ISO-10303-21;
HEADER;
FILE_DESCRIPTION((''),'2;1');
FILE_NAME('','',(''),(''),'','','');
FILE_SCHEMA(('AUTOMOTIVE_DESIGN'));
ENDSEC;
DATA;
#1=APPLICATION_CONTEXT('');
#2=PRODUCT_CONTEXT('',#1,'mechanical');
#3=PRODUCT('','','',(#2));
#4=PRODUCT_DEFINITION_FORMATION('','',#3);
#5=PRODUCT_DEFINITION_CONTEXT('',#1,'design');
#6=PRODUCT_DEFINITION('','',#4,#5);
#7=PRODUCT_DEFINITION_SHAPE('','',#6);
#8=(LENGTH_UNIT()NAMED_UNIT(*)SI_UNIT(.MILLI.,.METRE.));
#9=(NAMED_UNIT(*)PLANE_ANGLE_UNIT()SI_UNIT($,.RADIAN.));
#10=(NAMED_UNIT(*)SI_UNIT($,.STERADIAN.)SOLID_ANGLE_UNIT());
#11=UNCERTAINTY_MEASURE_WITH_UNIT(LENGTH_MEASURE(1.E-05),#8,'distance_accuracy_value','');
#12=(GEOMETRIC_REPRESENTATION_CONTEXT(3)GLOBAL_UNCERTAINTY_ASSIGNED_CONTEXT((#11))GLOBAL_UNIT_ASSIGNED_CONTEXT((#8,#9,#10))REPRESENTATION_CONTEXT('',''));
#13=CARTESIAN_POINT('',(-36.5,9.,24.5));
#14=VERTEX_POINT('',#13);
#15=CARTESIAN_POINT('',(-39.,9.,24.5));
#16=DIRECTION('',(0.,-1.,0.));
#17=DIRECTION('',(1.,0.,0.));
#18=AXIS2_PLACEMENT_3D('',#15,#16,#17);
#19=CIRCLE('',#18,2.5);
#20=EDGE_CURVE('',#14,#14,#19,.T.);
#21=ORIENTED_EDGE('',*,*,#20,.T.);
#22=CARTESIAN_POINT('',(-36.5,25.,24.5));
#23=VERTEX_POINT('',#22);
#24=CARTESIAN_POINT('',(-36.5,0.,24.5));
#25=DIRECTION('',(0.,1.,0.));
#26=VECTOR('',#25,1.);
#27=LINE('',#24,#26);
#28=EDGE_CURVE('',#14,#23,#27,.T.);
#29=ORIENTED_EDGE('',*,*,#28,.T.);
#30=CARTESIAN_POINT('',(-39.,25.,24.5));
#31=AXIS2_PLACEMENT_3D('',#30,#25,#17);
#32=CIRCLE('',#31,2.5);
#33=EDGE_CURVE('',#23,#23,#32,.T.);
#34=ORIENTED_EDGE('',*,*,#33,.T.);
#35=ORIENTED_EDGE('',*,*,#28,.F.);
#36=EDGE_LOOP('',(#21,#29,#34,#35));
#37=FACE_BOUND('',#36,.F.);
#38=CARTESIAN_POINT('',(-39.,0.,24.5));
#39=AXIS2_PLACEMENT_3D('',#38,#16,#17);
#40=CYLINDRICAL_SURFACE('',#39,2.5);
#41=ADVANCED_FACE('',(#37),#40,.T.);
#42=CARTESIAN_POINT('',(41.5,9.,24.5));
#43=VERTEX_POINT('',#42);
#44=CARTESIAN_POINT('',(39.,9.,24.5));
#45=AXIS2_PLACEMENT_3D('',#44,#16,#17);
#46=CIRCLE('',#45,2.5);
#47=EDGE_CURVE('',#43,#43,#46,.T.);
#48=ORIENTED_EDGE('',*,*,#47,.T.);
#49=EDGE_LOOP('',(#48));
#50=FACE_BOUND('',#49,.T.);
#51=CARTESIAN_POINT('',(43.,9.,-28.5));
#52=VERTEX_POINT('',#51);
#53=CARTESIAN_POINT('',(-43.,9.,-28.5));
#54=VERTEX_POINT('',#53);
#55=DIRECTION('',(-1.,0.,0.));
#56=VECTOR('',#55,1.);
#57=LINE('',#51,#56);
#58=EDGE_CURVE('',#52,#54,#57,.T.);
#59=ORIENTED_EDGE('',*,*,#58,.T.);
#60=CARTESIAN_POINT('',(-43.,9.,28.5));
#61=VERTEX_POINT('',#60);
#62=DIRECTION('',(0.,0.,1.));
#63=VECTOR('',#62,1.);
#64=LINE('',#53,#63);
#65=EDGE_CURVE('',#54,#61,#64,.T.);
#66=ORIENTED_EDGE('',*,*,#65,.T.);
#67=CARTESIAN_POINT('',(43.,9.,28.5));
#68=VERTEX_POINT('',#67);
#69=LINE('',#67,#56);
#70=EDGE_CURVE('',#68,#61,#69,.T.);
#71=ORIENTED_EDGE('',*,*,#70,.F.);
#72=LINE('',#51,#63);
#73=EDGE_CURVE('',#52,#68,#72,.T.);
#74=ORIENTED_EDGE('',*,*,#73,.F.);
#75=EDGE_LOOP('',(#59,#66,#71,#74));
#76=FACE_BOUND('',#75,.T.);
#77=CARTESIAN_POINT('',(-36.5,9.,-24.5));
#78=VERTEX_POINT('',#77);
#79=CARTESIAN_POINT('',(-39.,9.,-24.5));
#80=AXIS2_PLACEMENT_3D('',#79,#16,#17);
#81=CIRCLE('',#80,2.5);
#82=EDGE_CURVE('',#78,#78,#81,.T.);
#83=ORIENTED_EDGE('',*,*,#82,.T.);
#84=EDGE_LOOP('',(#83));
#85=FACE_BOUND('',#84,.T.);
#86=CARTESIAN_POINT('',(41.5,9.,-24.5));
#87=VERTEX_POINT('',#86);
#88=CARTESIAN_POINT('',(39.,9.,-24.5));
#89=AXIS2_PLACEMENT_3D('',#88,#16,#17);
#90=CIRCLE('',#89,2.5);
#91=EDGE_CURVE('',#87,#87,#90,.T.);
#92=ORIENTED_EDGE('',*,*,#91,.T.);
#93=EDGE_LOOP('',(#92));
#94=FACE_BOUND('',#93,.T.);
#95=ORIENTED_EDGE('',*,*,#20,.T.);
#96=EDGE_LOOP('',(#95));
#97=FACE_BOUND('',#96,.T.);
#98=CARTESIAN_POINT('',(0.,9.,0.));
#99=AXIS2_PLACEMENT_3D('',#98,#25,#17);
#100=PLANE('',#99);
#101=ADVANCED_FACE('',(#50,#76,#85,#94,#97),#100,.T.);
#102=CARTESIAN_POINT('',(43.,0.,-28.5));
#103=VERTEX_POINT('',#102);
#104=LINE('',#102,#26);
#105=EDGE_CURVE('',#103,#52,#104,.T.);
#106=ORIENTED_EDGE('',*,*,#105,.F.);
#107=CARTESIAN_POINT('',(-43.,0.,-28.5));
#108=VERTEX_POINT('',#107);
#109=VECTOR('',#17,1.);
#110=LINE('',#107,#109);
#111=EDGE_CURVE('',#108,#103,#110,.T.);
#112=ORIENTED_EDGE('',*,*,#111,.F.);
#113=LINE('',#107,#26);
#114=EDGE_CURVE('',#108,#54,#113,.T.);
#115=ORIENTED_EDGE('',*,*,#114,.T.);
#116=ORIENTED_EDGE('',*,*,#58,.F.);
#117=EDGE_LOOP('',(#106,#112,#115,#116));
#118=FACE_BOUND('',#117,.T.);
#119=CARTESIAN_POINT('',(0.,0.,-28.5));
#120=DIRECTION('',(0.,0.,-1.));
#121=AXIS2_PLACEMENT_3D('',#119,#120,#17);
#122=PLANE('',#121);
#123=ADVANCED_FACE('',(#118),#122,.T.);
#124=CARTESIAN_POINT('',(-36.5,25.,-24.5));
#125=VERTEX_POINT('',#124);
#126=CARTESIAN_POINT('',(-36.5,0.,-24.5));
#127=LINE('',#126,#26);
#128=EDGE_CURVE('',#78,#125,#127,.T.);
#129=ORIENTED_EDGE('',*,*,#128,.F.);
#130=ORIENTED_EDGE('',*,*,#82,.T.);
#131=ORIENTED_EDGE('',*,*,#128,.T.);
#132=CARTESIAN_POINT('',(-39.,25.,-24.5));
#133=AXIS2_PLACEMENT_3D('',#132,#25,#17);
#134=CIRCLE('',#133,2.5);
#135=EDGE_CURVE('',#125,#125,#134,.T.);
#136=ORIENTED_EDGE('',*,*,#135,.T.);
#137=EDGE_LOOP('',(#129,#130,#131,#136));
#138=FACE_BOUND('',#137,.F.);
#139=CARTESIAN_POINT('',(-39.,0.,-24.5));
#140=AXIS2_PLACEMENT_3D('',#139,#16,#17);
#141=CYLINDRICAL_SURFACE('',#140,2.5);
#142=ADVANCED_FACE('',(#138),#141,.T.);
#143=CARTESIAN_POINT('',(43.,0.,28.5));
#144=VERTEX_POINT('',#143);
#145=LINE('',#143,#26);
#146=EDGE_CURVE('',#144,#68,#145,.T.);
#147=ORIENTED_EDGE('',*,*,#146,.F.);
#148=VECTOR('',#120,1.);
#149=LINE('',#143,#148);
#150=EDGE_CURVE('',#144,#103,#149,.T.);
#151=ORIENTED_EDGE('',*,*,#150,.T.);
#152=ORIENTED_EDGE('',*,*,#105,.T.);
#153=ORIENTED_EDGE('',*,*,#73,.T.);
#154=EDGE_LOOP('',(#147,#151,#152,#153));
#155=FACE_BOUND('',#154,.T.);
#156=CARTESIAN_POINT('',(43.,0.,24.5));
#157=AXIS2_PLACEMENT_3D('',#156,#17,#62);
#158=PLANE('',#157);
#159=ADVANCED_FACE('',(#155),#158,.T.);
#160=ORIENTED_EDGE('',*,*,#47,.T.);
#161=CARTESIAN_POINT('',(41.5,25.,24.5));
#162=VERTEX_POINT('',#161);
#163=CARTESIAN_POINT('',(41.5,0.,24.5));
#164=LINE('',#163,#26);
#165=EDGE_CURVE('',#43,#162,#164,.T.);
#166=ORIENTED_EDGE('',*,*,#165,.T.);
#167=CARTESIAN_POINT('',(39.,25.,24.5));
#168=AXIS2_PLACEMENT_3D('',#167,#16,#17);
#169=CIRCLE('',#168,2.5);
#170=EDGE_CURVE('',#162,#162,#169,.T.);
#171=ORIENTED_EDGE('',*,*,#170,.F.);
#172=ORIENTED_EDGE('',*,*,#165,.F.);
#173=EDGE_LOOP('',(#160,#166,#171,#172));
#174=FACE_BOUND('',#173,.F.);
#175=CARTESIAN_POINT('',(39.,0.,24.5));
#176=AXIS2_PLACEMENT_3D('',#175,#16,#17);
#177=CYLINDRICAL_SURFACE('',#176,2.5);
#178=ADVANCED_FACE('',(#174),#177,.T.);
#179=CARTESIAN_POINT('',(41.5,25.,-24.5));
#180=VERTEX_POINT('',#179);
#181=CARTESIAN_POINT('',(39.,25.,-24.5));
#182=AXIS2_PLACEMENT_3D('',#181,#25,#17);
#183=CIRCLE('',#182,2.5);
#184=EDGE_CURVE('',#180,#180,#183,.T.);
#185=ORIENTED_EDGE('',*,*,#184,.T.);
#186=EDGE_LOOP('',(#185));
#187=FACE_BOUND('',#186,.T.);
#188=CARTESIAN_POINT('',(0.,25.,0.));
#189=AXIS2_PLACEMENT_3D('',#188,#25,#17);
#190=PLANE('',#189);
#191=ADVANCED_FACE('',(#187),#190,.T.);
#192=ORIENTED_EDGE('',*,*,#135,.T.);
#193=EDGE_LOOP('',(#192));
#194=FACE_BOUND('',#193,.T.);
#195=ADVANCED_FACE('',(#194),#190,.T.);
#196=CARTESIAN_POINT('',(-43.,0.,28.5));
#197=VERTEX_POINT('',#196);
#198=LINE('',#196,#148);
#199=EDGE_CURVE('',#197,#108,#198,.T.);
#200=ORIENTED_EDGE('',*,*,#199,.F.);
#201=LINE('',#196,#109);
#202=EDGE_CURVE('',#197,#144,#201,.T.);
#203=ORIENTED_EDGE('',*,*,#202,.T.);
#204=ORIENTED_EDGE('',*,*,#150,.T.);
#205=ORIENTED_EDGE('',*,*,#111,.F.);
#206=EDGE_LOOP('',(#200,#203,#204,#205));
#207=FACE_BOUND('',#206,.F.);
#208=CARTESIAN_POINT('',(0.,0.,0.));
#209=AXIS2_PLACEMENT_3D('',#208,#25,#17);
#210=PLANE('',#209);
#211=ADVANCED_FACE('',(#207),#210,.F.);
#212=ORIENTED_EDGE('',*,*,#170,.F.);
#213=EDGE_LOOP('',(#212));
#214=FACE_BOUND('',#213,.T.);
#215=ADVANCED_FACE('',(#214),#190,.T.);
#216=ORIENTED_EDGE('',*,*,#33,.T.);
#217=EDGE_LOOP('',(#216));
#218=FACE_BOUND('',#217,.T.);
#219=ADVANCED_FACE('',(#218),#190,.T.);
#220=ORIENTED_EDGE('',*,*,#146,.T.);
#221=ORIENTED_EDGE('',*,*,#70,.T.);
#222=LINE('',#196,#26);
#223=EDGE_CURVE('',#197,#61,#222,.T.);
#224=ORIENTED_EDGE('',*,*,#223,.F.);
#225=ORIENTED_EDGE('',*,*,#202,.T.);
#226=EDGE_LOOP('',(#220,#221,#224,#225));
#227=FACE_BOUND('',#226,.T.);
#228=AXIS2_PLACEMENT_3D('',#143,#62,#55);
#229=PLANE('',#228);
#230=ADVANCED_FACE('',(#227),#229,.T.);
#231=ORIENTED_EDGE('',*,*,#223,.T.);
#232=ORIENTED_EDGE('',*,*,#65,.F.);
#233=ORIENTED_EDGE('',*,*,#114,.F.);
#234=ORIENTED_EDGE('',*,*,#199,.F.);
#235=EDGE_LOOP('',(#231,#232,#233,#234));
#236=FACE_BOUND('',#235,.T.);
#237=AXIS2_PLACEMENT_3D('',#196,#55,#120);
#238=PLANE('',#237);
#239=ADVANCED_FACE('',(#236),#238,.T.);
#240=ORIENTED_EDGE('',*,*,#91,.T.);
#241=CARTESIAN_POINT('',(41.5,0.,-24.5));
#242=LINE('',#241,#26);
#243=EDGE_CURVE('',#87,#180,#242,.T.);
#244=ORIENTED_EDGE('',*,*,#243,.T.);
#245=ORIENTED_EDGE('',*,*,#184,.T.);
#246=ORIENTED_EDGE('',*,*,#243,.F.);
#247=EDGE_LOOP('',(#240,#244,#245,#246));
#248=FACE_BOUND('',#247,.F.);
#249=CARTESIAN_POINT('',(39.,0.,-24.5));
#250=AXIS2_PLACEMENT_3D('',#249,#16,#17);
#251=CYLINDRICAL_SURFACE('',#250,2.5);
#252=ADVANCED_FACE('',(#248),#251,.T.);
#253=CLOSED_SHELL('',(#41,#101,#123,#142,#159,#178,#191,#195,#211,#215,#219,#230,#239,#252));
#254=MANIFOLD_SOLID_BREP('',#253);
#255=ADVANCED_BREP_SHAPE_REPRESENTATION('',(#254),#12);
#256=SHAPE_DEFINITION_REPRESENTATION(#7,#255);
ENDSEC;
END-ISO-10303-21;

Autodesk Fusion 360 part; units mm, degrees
sketch "Sketch1" plane through (0, 0, 0) normal (0, 1, 0) x (1, 0, 0)
  line L0 (43, -28.5) -> (-43, -28.5)
  line L1 (-43, -28.5) -> (-43, 28.5)
  line L2 (-43, 28.5) -> (43, 28.5)
  line L3 (43, 28.5) -> (43, -28.5)
  line L4 (43, -28.5) -> (-43, 28.5) construction
  line L5 (-43, -28.5) -> (43, 28.5) construction
  line L6 (43, -28.5) -> (39, -28.5)
  line L7 (39, -28.5) -> (39, -24.5)
  line L8 (39, -24.5) -> (43, -24.5)
  line L9 (43, -24.5) -> (43, -28.5)
  circle A0 centre (39, -24.5) radius 2.5
  line L10 (52.3114, 0) -> (-55.6196, 0)
  line L11 (0, 36.5366) -> (0, -32.8551)
  circle A1 centre (-39, -24.5) radius 2.5
  circle A2 centre (39, 24.5) radius 2.5
  circle A3 centre (-39, 24.5) radius 2.5
  dimension "d1" = 86
  dimension "d2" = 57
  dimension "d5" = 4
  dimension "d6" = 4
  dimension "d7" = 5
extrude "Extrude1" add sketch "Sketch1" along normal blind 9 contours L0 L3 L6 L7 L8 L9 A0 | L0 L3 L7 L8 A0 L10 L11 | L0 L1 L10 L11 | L7 L8 A0 | L7 L8 A0 | L2 L3 L10 L11 | L1 L2 L10 L11 | A1 | A2 | A3
extrude "Extrude2" add sketch "Sketch1" along normal blind 25 contours L7 L8 A0 | L7 L8 A0 | A1 | A2 | A3
